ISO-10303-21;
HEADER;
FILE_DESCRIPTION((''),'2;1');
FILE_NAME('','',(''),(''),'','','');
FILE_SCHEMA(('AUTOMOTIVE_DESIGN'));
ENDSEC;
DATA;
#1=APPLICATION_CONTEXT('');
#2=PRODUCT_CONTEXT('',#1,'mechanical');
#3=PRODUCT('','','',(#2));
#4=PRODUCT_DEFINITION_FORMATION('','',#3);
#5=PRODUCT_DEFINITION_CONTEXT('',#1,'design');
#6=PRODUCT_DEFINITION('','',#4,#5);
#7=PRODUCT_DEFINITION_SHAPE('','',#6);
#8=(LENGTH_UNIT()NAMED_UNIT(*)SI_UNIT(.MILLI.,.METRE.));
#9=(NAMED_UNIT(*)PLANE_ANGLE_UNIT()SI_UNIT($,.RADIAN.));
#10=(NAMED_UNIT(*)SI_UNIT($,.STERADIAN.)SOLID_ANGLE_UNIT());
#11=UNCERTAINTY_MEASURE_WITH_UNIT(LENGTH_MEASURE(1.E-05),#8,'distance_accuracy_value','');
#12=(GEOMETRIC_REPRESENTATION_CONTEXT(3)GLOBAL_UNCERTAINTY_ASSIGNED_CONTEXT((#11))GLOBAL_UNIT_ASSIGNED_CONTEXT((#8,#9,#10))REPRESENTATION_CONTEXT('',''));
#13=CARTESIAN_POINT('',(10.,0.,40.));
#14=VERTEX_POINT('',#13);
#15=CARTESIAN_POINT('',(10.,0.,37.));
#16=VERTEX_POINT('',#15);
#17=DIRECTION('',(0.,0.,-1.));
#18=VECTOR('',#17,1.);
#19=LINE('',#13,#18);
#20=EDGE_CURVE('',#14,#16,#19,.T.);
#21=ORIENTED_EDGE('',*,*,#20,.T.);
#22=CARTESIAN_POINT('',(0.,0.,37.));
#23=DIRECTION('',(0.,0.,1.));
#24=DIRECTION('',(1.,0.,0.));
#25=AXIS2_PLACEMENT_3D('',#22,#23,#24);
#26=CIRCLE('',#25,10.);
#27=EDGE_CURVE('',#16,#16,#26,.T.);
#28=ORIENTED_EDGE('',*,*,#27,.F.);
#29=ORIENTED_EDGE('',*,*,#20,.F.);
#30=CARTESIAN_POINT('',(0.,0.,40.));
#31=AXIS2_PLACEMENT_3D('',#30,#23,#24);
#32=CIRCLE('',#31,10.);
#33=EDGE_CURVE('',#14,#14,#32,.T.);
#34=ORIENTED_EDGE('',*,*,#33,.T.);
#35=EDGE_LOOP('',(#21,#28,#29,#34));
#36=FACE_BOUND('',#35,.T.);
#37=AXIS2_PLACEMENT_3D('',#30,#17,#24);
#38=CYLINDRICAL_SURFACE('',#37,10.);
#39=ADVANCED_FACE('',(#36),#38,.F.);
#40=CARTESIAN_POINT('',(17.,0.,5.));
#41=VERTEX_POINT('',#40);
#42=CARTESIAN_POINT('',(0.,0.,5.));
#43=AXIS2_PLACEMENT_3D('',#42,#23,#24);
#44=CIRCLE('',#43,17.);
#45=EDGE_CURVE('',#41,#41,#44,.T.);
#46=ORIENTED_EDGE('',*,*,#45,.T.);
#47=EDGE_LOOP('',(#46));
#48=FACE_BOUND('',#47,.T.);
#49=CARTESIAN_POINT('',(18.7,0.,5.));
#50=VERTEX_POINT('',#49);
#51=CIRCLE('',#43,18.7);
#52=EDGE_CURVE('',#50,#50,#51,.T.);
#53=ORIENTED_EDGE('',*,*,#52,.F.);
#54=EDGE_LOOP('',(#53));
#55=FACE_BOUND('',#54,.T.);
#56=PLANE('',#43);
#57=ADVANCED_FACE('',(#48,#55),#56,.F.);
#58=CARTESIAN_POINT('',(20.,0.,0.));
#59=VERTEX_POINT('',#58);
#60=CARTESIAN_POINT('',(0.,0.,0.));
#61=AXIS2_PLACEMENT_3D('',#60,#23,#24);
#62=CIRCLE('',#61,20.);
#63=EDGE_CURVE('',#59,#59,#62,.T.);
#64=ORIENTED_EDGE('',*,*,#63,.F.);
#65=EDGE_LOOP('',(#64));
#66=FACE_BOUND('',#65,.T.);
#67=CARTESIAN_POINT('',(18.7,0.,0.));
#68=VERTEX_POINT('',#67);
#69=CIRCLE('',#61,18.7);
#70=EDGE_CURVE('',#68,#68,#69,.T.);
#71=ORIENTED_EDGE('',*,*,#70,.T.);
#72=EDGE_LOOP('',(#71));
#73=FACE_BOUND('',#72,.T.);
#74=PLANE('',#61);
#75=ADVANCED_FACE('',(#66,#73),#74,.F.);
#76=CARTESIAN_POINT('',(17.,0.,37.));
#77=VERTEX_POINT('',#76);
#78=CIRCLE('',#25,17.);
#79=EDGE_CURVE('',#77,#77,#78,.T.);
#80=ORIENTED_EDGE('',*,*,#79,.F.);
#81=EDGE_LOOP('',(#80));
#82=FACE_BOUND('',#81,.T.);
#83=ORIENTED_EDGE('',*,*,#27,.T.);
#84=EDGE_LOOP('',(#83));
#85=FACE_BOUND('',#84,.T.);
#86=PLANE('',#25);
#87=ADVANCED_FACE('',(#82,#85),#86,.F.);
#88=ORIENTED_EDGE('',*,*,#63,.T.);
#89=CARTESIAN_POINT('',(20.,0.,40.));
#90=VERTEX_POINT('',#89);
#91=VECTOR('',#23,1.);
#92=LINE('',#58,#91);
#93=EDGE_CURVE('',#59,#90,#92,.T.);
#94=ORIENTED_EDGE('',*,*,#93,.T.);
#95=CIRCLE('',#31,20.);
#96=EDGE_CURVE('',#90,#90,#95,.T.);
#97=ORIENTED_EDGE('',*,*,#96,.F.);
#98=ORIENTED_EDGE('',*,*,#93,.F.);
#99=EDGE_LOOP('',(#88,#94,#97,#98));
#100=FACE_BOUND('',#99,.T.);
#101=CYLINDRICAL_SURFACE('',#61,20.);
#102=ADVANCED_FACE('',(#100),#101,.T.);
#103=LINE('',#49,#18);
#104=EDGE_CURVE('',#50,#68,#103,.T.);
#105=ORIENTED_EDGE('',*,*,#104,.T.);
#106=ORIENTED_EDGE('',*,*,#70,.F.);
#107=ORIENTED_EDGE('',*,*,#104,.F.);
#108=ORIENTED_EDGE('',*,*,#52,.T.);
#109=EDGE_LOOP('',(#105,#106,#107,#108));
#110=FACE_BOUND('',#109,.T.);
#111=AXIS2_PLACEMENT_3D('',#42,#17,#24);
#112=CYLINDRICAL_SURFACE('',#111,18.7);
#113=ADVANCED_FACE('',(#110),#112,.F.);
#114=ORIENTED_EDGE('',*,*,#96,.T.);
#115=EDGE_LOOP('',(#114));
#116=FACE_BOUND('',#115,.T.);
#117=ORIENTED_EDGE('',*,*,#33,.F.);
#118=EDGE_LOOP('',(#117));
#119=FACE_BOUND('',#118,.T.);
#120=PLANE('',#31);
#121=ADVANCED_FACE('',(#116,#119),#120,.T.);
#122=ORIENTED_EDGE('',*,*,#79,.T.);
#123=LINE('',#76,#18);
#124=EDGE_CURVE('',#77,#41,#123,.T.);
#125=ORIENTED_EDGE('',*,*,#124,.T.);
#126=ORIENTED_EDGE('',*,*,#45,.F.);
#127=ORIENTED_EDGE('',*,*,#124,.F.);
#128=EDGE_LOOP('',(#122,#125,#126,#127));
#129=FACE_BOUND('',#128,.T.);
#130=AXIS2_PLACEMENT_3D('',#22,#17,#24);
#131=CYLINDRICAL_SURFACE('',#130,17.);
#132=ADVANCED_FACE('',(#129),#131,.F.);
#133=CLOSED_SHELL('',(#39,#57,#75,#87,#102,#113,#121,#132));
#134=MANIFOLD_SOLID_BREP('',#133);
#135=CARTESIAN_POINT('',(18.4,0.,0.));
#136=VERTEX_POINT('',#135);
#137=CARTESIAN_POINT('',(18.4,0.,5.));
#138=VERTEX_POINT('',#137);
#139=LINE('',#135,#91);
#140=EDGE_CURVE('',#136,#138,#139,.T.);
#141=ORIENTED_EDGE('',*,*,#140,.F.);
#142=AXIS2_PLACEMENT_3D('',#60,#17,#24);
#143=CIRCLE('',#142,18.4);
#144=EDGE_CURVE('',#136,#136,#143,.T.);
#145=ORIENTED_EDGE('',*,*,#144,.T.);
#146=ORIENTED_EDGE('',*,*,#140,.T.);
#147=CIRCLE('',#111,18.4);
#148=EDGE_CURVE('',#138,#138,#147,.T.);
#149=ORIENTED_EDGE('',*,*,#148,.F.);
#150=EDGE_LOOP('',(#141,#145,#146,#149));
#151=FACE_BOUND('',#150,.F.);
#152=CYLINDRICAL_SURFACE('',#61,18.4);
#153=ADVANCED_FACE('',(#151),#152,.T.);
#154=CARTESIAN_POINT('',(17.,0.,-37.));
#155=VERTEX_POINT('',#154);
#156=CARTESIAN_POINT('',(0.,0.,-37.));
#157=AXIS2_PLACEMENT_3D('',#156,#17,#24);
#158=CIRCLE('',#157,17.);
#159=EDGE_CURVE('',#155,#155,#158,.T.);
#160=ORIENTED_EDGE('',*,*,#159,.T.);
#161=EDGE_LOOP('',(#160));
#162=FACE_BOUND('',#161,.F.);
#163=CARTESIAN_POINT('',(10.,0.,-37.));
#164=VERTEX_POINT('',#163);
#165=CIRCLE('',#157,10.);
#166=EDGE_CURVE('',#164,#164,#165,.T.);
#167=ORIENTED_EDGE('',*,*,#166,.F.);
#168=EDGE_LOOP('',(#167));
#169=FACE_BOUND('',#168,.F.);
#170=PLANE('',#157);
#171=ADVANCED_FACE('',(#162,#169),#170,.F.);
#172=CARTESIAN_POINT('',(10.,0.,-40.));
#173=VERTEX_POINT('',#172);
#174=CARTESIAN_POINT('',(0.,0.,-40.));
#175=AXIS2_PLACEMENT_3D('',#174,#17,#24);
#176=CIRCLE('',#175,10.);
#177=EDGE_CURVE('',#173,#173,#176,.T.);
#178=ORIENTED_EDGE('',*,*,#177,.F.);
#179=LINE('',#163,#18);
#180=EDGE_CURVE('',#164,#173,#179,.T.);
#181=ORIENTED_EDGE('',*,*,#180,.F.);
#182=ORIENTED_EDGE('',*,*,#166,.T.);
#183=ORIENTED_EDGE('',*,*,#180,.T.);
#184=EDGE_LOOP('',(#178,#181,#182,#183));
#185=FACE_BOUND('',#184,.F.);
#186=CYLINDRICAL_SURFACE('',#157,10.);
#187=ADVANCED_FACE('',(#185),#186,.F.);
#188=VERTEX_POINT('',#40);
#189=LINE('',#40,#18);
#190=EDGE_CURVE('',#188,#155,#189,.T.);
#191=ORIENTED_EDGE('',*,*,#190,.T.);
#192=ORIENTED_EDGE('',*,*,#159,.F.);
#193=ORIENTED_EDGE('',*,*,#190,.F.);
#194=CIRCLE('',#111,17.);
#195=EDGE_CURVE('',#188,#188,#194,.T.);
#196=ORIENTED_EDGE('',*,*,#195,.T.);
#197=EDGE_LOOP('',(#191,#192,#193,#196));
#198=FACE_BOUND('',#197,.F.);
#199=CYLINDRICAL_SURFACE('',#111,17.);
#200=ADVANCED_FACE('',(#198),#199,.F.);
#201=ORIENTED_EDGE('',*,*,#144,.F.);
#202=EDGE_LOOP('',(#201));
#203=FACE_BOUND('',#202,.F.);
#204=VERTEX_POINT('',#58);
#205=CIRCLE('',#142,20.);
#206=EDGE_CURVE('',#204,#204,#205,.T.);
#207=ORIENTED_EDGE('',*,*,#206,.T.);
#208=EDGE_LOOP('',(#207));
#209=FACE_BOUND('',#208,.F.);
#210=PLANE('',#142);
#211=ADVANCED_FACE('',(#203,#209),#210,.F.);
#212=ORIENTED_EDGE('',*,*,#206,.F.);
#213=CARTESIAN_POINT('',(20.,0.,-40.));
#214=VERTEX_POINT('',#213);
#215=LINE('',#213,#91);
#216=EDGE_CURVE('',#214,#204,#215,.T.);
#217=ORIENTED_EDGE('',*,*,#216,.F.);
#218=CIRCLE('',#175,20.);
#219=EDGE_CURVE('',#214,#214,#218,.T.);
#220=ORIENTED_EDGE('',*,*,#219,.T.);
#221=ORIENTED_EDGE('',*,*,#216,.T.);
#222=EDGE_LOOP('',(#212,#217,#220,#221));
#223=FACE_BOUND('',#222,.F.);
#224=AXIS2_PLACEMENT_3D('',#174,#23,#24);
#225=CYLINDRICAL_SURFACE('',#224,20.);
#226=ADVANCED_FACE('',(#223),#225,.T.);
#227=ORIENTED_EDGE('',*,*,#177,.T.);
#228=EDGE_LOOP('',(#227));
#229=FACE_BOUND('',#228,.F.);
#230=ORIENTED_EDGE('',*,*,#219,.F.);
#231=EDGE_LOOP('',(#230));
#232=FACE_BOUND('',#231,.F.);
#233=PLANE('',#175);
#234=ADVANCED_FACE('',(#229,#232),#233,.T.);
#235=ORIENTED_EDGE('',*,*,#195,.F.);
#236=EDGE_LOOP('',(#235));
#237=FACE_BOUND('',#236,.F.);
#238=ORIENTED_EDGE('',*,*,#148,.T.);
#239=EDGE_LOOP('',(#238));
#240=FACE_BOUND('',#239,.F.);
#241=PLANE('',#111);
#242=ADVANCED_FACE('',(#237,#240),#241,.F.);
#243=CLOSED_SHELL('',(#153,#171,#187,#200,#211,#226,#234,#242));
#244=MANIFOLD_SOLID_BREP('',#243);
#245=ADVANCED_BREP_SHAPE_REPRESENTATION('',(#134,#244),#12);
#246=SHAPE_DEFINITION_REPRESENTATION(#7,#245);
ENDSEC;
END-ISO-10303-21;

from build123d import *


with BuildPart() as f1:
    # F0 (on Front) → F1 (revolve)
    with BuildSketch(Plane.XZ):
        Polygon((20, 40), (10, 40), (10, 37), (17, 37), (17, 5), (18.7, 5), (18.7, 0), (20, 0), align=None)
    revolve(axis=Axis((0, 0, 19.905933), (0, 0, 1)))


with BuildPart() as f3:
    # F2 (on Front) → F3 (revolve)
    with BuildSketch(Plane.XZ):
        Polygon((20, -40), (20, 0), (18.4, 0), (18.4, 5), (17, 5), (17, 0), (17, -37), (10, -37), (10, -40), align=None)
    revolve(axis=Axis((0, 0, -11.35268), (0, 0, -1)))


solid = Compound([f1.part, f3.part])
